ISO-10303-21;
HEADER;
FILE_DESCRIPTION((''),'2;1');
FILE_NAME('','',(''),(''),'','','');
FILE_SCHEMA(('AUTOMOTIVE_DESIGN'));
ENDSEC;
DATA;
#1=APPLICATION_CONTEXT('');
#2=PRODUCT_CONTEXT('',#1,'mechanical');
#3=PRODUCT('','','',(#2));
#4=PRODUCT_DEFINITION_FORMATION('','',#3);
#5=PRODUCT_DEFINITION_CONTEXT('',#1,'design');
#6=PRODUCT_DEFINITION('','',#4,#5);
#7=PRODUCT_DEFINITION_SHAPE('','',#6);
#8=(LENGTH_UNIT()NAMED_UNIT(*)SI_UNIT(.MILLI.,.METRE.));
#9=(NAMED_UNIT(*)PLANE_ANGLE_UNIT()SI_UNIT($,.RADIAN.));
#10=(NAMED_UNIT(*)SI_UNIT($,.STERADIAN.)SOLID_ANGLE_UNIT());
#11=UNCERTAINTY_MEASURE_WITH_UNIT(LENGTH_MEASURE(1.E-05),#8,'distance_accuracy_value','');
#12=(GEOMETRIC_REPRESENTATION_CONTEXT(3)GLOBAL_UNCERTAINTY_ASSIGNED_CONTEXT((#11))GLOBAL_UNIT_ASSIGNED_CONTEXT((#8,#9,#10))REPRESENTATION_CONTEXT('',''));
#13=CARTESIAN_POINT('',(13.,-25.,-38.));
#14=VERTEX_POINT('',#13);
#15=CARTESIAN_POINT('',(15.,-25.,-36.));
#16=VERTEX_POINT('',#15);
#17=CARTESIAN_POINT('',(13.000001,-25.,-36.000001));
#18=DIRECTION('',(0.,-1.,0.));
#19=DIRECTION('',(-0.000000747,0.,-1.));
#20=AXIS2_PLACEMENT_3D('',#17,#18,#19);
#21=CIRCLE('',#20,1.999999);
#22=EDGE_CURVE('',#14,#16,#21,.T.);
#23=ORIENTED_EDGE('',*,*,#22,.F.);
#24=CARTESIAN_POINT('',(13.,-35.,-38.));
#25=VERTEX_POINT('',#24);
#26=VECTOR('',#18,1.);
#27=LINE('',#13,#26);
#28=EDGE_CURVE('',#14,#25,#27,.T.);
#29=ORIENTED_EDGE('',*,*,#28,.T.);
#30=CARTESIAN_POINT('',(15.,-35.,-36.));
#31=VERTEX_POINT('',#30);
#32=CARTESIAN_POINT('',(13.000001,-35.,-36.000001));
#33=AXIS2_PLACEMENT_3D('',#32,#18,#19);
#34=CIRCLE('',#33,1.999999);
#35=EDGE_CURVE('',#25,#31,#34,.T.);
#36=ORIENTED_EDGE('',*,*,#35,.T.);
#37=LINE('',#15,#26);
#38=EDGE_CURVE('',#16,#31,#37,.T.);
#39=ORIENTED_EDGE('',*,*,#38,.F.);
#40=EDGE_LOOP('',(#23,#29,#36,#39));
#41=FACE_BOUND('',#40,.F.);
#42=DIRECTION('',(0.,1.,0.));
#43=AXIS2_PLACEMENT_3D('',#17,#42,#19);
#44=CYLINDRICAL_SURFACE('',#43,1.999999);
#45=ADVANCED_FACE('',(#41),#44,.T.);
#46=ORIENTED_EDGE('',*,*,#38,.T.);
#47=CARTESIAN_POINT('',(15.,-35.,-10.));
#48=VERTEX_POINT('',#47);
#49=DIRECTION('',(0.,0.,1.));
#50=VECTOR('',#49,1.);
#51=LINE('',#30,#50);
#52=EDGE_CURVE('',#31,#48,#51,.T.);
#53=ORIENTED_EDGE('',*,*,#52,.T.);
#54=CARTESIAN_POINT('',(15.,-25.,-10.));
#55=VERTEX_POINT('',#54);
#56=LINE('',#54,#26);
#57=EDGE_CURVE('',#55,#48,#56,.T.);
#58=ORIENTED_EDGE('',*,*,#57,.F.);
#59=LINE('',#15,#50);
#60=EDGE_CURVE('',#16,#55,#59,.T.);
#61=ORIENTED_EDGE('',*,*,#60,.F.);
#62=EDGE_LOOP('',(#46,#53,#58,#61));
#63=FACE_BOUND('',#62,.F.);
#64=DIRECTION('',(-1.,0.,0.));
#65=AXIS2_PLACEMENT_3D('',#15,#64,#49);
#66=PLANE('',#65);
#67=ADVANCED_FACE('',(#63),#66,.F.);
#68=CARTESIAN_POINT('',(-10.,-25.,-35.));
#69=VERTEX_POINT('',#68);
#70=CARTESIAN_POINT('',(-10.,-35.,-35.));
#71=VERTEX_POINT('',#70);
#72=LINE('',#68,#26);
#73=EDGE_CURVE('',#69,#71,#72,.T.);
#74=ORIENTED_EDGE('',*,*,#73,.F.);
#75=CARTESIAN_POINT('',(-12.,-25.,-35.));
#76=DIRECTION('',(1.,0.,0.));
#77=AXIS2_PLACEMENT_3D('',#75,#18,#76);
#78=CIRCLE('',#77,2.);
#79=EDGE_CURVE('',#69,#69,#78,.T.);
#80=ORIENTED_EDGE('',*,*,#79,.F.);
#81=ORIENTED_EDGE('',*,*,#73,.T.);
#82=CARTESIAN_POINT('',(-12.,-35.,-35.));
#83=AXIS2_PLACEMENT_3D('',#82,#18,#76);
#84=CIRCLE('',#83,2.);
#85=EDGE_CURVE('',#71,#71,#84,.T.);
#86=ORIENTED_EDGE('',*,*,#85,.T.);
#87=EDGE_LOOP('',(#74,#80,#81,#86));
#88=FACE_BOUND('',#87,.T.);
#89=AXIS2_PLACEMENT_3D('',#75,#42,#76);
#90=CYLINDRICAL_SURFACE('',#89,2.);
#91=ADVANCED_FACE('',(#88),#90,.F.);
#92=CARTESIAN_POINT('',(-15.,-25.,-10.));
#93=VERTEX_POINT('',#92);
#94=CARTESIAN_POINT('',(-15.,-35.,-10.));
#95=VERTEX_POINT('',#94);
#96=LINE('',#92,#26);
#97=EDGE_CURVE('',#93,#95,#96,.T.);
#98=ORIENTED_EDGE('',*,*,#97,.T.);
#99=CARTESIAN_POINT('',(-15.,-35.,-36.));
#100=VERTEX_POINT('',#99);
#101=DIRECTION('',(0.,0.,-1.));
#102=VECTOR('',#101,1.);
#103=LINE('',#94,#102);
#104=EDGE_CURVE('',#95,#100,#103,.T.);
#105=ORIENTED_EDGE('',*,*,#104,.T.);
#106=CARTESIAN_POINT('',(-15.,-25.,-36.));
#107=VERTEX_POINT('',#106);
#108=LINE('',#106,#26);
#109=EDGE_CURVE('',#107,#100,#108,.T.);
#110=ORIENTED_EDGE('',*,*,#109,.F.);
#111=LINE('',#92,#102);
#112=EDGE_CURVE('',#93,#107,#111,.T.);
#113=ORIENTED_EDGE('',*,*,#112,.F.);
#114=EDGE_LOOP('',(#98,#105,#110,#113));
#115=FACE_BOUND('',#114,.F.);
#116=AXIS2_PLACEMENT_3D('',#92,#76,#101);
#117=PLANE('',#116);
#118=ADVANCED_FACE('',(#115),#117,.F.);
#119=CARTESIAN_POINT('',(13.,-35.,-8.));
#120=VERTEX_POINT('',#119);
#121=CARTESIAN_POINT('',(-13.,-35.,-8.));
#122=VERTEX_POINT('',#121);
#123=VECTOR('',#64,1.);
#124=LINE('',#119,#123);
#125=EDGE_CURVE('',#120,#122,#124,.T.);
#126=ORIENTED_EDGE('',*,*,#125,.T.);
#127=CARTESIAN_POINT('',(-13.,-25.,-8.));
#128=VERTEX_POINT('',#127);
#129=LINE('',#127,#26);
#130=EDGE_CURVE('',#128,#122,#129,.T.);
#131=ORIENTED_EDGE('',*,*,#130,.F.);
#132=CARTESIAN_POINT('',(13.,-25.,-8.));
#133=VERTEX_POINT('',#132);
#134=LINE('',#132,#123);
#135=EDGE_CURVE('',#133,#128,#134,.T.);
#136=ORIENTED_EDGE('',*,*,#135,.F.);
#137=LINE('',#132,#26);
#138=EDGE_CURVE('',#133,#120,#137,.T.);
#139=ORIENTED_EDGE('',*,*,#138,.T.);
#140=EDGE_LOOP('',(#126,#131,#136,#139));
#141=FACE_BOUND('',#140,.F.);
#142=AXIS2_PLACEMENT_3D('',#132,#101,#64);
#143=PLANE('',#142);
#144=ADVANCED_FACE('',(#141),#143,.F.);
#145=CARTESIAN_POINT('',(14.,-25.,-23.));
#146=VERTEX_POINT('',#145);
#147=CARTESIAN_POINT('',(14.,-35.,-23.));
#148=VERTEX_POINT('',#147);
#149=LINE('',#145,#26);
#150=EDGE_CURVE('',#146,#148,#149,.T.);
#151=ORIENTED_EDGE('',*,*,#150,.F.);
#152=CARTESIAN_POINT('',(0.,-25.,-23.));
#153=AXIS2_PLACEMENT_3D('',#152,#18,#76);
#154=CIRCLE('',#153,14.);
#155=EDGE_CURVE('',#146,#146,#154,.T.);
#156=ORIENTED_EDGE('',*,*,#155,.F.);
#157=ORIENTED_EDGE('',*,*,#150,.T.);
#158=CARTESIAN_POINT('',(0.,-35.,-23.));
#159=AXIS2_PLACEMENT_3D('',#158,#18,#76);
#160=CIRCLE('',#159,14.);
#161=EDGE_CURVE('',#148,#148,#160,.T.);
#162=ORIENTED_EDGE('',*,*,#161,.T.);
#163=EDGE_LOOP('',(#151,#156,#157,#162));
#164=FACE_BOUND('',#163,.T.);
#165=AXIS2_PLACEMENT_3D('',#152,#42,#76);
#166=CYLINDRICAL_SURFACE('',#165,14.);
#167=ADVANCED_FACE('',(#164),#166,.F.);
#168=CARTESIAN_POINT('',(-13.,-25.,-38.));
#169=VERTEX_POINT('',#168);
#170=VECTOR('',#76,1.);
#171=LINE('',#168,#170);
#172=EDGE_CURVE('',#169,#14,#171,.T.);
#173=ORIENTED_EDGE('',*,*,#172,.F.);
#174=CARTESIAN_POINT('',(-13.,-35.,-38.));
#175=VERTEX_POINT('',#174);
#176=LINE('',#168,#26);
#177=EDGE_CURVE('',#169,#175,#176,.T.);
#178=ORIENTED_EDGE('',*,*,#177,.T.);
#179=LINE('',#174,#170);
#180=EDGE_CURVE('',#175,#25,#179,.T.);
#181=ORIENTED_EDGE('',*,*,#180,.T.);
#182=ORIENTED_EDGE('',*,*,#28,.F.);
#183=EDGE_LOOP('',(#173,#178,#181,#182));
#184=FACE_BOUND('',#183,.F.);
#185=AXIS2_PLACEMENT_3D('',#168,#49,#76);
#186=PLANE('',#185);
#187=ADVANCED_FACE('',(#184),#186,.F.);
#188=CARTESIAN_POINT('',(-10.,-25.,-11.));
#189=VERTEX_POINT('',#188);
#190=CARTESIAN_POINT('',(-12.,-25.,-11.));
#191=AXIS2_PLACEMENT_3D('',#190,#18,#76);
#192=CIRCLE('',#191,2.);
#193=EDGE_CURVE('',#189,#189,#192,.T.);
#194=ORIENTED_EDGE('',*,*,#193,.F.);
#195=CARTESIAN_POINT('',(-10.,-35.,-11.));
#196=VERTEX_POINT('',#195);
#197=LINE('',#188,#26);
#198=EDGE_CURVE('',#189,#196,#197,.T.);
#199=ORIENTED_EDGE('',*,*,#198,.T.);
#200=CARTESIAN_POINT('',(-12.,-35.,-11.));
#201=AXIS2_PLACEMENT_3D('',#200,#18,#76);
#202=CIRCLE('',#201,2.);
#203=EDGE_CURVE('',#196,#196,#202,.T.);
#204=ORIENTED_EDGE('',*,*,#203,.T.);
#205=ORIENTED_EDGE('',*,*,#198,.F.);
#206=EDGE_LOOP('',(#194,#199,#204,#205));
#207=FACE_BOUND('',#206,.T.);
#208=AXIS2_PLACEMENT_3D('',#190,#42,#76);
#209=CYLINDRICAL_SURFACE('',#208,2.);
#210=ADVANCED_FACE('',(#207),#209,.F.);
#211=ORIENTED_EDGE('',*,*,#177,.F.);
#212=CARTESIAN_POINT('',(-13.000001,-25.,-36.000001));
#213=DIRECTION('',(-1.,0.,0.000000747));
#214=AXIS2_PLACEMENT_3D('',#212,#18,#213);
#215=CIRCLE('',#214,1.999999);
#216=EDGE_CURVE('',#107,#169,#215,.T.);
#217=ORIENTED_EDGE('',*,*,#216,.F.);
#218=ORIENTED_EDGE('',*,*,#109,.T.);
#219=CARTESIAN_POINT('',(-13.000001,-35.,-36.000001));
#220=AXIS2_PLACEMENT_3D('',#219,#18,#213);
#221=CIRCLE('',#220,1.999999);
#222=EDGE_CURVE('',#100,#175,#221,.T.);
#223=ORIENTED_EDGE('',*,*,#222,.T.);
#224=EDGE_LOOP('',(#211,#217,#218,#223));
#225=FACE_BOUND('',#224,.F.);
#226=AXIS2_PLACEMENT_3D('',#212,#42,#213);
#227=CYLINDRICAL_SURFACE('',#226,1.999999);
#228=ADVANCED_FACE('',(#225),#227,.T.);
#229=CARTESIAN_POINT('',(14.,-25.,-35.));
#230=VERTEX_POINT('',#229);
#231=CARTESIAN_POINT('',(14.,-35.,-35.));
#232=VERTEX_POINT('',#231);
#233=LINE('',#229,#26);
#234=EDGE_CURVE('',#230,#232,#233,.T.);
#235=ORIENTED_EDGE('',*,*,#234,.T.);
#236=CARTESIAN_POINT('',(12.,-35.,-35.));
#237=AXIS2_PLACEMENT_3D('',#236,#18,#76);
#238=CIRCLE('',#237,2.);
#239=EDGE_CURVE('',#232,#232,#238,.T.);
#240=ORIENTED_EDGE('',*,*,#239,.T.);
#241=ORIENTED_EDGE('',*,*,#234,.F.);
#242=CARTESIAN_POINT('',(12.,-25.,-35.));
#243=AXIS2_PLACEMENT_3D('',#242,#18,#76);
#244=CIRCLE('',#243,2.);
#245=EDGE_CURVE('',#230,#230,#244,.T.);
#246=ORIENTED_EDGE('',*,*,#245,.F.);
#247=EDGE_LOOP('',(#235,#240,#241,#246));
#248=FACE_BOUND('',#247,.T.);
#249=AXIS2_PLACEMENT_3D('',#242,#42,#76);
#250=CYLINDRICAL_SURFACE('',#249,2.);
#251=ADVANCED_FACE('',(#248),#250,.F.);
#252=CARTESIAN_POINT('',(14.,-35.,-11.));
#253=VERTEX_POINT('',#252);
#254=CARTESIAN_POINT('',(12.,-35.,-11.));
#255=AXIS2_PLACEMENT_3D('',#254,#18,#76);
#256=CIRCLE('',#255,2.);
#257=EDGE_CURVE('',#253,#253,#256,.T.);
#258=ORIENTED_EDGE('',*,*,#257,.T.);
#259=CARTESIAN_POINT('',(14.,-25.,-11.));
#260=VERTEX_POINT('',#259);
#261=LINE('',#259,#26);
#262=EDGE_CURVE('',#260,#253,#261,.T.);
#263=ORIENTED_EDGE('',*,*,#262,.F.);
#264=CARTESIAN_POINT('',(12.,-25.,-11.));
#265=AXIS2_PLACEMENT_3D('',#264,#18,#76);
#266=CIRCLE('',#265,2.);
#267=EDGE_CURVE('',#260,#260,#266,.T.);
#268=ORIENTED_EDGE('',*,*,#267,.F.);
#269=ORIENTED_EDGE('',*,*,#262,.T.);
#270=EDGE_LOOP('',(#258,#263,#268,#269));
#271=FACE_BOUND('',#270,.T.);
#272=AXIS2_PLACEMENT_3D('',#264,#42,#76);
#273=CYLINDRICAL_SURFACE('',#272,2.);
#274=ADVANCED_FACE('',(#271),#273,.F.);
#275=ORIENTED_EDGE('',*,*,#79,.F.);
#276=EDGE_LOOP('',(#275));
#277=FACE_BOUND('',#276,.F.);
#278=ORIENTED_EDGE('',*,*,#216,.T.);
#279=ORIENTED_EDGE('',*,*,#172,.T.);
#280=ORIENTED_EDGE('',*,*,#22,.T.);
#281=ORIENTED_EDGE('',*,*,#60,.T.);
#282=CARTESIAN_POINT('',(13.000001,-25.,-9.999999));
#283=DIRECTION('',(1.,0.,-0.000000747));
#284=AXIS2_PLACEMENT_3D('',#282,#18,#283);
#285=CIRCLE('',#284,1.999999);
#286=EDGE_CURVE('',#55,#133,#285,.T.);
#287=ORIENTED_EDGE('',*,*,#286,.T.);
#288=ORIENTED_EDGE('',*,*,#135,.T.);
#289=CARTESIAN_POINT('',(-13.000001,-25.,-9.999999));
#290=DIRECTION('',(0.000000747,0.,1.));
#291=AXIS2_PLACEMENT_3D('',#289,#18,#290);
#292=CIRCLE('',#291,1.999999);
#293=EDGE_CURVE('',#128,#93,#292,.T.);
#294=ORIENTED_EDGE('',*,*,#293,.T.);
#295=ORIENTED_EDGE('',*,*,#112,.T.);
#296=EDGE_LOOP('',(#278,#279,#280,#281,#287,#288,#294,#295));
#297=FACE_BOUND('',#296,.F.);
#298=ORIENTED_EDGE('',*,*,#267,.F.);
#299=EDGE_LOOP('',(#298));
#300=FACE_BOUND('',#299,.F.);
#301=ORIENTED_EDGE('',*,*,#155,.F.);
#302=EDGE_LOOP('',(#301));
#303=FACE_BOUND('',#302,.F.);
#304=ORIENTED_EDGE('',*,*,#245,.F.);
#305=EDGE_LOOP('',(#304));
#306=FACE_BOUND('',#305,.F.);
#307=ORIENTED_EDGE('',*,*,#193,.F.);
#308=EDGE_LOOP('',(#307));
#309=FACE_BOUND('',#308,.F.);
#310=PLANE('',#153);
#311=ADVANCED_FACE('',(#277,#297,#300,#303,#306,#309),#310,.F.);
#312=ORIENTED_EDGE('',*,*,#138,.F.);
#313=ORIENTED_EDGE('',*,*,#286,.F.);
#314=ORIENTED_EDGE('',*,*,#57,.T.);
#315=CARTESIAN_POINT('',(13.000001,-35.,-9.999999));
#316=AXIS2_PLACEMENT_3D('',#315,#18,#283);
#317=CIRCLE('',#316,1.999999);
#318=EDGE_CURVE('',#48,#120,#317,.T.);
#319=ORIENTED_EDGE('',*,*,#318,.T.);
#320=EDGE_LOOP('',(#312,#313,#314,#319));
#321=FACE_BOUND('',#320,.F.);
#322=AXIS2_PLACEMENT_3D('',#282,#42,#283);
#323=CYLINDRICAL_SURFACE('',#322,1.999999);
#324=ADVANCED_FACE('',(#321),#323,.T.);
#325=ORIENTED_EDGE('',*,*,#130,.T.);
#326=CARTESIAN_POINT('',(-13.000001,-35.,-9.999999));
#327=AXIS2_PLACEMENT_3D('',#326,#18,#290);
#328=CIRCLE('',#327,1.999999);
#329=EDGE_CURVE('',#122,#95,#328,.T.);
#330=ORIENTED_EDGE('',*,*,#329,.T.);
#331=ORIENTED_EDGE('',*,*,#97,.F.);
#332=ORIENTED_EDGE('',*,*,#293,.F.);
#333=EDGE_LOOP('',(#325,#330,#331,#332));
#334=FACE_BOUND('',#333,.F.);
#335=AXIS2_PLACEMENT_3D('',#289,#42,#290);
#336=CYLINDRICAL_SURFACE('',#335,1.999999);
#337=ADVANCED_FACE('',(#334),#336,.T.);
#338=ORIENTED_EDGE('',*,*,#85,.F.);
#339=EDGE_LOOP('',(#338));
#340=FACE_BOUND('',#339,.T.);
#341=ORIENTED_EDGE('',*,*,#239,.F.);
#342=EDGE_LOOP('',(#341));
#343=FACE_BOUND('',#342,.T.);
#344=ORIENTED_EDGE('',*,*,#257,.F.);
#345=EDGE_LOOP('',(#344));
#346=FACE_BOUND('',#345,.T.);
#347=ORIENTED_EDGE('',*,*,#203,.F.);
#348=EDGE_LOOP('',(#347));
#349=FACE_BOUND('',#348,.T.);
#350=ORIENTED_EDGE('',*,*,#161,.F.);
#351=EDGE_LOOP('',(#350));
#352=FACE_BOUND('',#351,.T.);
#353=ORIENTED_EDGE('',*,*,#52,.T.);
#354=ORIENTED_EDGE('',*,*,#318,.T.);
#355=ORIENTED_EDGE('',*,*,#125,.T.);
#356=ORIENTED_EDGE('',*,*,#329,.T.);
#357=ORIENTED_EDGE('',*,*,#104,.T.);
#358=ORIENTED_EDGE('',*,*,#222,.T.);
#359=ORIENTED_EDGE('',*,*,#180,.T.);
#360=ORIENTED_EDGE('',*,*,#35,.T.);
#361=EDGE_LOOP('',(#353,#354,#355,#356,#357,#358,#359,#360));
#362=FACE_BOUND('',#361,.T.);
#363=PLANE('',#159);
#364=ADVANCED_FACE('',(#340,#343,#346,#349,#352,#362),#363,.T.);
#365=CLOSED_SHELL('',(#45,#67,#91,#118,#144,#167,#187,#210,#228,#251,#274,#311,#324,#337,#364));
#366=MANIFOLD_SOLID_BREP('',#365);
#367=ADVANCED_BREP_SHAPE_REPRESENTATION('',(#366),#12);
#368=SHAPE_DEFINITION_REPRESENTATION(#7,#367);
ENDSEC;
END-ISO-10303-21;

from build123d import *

# Parameters (mm, degrees)
CYLINDER002_R     = 14
CYLINDER002_DEPTH = 10
CYLINDER001_R     = 2
CYLINDER001_DEPTH = 10
ARRAY_X_COUNT     = 2
ARRAY_X_PITCH     = 24
ARRAY_Y_COUNT     = 2
ARRAY_Y_PITCH     = 24
EXTRUDE_DEPTH     = 10
CUT002_ROLL_ANGLE = 90


with BuildPart() as cilindro002:
    # Cylinder002 → Cylinder002 (new body)
    with BuildSketch(Plane.XY):
        Circle(CYLINDER002_R)
    extrude(amount=CYLINDER002_DEPTH)


with BuildPart() as array:
    # Cylinder001 → Cylinder001 (new body)
    with BuildSketch(Plane(origin=(12, 12, 0), x_dir=(1, 0, 0), z_dir=(0, 0, 1))):
        Circle(CYLINDER001_R)
    extrude(amount=CYLINDER001_DEPTH)

    # Array X: Array ×2


with BuildPart() as array_1:
    add(array.part)
    with Locations(*[(-i * ARRAY_X_PITCH, 0, 0) for i in range(1, ARRAY_X_COUNT)]):
        add(array.part)

    # Array Y: Array ×2


with BuildPart() as array_2:
    add(array_1.part)
    with Locations(*[(0, -i * ARRAY_Y_PITCH, 0) for i in range(1, ARRAY_Y_COUNT)]):
        add(array_1.part)


with BuildPart() as cut002:
    # Rectangle → Extrude (new body)
    with BuildSketch(Plane(origin=(-15, -15, 0), x_dir=(1, 0, 0), z_dir=(0, 0, 1))):
        with BuildLine():
            Line((2, 0), (28, 0))
            ThreePointArc((28, 0), (29.414214, 0.585786), (30, 2))
            Line((30, 2), (30, 28))
            ThreePointArc((30, 28), (29.414214, 29.414214), (28, 30))
            Line((28, 30), (2, 30))
            ThreePointArc((2, 30), (0.585786, 29.414214), (0, 28))
            Line((0, 28), (0, 2))
            ThreePointArc((0, 2), (0.585786, 0.585786), (2, 0))
        make_face()
    extrude(amount=EXTRUDE_DEPTH)

    # Cut001: cut Array
    add(array_2.part, mode=Mode.SUBTRACT)

    # Cut002: cut Cilindro002
    add(cilindro002.part, mode=Mode.SUBTRACT)


with BuildPart() as cut002_1:
    # Cut002 roll: moved
    add(cut002.part.rotate(Axis((0, 0, 0), (1, 0, 0)), CUT002_ROLL_ANGLE))


with BuildPart() as cut002_2:
    # Cut002 placement: moved
    add(cut002_1.part.moved(Location((0, -25, -23))))


solid = cut002_2.part
